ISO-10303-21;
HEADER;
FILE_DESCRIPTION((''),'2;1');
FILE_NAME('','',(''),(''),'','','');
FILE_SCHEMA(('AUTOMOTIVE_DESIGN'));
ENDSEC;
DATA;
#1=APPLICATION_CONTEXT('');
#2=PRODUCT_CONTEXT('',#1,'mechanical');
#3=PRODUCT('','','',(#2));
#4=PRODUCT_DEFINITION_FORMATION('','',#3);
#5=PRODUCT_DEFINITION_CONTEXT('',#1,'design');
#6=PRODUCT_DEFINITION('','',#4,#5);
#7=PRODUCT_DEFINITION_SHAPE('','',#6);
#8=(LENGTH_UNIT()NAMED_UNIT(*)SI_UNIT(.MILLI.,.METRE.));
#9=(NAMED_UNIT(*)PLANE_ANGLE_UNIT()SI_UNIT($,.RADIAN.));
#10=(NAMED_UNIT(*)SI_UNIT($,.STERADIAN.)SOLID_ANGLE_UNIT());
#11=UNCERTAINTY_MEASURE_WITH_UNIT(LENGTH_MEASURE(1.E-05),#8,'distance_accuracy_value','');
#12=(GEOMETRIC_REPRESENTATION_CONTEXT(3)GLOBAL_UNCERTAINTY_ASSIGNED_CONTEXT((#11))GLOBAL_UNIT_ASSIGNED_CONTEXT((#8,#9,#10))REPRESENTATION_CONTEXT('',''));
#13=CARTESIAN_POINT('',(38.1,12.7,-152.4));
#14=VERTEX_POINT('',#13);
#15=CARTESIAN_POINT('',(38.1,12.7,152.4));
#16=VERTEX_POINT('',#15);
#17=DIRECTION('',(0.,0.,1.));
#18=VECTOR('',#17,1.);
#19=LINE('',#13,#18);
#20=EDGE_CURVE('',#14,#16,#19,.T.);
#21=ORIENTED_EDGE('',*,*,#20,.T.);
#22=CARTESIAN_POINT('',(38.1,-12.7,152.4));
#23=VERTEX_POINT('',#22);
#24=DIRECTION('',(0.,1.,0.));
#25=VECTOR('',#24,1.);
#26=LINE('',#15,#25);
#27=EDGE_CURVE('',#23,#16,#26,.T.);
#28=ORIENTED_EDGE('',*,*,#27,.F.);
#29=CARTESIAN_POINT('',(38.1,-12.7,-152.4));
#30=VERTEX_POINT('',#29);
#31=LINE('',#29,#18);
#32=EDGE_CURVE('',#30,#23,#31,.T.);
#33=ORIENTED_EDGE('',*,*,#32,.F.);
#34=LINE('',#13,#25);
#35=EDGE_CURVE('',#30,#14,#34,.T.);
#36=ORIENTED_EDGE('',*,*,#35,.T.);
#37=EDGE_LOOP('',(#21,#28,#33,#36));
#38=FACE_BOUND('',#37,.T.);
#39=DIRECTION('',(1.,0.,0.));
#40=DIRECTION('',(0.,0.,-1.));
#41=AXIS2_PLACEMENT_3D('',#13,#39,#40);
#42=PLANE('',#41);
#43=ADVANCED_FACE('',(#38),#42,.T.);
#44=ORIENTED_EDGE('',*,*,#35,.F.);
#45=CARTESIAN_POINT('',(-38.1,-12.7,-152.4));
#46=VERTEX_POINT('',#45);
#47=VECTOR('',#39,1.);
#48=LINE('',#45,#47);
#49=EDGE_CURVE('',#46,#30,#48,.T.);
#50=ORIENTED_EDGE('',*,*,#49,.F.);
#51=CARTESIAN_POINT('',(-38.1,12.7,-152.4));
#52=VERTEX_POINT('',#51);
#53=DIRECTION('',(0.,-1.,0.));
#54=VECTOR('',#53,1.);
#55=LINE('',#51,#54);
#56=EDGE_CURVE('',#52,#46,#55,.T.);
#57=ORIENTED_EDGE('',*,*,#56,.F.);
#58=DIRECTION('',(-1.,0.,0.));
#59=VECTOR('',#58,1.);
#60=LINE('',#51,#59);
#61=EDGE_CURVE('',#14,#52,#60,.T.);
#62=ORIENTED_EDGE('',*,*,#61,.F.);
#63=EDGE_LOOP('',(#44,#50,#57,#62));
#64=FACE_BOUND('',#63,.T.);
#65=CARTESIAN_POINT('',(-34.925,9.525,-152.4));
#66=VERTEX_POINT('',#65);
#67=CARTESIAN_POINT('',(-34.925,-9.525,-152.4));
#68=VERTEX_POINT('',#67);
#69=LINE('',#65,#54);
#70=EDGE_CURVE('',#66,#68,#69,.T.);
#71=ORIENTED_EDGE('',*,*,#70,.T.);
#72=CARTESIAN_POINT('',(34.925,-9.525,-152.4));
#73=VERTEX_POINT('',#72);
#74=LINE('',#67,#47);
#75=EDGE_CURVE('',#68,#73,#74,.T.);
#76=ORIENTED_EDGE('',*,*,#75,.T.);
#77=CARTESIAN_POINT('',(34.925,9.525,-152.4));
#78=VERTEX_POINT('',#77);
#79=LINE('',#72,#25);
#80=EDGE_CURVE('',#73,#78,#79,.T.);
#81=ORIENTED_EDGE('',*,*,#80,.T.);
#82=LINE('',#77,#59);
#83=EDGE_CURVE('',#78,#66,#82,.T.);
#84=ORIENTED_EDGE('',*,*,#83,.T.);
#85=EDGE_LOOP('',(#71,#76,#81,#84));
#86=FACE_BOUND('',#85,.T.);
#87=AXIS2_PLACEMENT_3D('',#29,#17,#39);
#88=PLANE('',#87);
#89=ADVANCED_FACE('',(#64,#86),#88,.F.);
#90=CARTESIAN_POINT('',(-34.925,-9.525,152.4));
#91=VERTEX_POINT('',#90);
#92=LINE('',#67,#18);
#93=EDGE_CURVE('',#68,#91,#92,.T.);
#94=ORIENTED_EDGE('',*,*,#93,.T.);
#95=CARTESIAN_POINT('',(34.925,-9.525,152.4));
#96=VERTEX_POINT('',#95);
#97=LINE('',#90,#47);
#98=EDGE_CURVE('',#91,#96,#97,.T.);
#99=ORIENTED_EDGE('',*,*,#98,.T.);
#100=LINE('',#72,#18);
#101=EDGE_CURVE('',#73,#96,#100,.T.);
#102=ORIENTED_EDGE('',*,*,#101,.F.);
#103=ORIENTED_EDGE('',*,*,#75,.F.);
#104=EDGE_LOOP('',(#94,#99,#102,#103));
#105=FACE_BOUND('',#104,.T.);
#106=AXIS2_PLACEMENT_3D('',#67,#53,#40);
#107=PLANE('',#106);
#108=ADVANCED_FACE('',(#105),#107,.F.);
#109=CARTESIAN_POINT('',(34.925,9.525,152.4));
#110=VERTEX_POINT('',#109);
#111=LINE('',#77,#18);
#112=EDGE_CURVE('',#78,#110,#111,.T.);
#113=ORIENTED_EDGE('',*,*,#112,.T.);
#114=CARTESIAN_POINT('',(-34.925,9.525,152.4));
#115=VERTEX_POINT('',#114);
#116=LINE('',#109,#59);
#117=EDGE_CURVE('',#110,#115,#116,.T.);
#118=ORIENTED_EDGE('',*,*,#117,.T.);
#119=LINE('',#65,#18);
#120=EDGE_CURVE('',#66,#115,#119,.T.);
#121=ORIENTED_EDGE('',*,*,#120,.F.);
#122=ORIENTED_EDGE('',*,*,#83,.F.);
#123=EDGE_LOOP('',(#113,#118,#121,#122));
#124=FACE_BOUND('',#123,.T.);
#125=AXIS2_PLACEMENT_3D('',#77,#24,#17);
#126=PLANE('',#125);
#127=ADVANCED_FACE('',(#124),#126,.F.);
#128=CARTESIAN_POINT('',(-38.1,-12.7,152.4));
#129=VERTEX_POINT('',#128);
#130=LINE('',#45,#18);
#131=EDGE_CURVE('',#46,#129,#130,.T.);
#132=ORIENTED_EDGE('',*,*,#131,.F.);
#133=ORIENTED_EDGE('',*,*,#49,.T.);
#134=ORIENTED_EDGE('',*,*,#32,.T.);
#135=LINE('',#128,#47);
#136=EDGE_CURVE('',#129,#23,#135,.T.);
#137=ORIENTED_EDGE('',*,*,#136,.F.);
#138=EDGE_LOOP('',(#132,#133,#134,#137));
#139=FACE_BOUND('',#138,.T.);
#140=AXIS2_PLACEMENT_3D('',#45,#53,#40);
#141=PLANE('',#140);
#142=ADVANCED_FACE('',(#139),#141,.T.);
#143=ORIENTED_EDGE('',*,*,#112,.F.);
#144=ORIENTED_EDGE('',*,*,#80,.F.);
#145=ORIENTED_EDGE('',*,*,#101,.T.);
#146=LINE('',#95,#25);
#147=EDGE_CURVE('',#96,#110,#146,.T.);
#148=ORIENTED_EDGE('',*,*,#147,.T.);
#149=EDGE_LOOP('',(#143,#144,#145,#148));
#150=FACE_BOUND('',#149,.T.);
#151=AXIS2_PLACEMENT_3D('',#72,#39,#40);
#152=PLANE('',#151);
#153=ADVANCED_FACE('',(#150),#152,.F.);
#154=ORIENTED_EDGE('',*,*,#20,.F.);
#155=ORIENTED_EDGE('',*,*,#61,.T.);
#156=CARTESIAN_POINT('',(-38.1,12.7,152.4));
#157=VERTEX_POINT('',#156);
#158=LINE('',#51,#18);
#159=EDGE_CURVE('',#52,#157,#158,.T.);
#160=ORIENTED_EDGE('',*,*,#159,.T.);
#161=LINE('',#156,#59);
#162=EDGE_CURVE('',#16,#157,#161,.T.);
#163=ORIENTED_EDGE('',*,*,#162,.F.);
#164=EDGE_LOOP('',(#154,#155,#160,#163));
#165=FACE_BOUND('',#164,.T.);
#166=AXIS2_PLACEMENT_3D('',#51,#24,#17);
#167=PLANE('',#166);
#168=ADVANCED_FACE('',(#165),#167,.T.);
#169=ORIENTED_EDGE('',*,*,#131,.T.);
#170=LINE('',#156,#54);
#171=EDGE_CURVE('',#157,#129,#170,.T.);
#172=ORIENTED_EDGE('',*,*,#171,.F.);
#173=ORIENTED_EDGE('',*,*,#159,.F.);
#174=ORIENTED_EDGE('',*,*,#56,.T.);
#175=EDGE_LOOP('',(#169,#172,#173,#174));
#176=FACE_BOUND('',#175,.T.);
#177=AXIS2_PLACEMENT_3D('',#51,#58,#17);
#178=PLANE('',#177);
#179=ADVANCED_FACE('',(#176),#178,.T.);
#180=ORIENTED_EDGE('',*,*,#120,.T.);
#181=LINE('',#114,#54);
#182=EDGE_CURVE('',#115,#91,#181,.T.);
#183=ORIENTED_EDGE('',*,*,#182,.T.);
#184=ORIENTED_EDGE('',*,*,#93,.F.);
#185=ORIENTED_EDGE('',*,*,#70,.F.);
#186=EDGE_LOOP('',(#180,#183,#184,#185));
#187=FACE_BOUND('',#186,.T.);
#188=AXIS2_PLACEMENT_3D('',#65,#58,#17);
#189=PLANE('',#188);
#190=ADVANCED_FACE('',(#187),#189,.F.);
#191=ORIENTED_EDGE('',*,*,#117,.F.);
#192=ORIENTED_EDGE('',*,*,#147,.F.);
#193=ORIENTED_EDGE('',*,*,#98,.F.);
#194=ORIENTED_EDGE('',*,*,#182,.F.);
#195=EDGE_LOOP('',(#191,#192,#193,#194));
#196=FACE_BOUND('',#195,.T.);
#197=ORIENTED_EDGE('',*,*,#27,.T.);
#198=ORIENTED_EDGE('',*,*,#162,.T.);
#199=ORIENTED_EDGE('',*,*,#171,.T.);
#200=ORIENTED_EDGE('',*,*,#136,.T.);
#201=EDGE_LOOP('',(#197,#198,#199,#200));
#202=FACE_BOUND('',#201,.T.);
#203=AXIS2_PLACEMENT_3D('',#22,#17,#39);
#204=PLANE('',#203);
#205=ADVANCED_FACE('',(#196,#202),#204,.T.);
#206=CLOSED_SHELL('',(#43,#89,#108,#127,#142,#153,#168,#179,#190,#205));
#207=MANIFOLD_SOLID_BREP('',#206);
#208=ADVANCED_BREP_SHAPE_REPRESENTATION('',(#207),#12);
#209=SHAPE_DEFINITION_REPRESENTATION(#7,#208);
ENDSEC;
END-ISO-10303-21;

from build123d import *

# Parameters (mm, degrees)
SKETCH1_W      = 76.2
SKETCH1_H      = 25.4
EXTRUDE1_DEPTH = 152.4
SKETCH2_W      = 69.85
SKETCH2_H      = 19.05
EXTRUDE2_DEPTH = 308.434448298


with BuildPart() as part:
    # Sketch1 → Extrude1 (new, symmetric)
    with BuildSketch(Plane.XY):
        Rectangle(SKETCH1_W, SKETCH1_H)
    extrude(amount=EXTRUDE1_DEPTH, both=True)

    # Sketch2 → Extrude2 (cut, through all)
    with BuildSketch(Plane.XY.offset(152.4)):
        Rectangle(SKETCH2_W, SKETCH2_H)
    extrude(amount=-EXTRUDE2_DEPTH, mode=Mode.SUBTRACT)


solid = part.part
